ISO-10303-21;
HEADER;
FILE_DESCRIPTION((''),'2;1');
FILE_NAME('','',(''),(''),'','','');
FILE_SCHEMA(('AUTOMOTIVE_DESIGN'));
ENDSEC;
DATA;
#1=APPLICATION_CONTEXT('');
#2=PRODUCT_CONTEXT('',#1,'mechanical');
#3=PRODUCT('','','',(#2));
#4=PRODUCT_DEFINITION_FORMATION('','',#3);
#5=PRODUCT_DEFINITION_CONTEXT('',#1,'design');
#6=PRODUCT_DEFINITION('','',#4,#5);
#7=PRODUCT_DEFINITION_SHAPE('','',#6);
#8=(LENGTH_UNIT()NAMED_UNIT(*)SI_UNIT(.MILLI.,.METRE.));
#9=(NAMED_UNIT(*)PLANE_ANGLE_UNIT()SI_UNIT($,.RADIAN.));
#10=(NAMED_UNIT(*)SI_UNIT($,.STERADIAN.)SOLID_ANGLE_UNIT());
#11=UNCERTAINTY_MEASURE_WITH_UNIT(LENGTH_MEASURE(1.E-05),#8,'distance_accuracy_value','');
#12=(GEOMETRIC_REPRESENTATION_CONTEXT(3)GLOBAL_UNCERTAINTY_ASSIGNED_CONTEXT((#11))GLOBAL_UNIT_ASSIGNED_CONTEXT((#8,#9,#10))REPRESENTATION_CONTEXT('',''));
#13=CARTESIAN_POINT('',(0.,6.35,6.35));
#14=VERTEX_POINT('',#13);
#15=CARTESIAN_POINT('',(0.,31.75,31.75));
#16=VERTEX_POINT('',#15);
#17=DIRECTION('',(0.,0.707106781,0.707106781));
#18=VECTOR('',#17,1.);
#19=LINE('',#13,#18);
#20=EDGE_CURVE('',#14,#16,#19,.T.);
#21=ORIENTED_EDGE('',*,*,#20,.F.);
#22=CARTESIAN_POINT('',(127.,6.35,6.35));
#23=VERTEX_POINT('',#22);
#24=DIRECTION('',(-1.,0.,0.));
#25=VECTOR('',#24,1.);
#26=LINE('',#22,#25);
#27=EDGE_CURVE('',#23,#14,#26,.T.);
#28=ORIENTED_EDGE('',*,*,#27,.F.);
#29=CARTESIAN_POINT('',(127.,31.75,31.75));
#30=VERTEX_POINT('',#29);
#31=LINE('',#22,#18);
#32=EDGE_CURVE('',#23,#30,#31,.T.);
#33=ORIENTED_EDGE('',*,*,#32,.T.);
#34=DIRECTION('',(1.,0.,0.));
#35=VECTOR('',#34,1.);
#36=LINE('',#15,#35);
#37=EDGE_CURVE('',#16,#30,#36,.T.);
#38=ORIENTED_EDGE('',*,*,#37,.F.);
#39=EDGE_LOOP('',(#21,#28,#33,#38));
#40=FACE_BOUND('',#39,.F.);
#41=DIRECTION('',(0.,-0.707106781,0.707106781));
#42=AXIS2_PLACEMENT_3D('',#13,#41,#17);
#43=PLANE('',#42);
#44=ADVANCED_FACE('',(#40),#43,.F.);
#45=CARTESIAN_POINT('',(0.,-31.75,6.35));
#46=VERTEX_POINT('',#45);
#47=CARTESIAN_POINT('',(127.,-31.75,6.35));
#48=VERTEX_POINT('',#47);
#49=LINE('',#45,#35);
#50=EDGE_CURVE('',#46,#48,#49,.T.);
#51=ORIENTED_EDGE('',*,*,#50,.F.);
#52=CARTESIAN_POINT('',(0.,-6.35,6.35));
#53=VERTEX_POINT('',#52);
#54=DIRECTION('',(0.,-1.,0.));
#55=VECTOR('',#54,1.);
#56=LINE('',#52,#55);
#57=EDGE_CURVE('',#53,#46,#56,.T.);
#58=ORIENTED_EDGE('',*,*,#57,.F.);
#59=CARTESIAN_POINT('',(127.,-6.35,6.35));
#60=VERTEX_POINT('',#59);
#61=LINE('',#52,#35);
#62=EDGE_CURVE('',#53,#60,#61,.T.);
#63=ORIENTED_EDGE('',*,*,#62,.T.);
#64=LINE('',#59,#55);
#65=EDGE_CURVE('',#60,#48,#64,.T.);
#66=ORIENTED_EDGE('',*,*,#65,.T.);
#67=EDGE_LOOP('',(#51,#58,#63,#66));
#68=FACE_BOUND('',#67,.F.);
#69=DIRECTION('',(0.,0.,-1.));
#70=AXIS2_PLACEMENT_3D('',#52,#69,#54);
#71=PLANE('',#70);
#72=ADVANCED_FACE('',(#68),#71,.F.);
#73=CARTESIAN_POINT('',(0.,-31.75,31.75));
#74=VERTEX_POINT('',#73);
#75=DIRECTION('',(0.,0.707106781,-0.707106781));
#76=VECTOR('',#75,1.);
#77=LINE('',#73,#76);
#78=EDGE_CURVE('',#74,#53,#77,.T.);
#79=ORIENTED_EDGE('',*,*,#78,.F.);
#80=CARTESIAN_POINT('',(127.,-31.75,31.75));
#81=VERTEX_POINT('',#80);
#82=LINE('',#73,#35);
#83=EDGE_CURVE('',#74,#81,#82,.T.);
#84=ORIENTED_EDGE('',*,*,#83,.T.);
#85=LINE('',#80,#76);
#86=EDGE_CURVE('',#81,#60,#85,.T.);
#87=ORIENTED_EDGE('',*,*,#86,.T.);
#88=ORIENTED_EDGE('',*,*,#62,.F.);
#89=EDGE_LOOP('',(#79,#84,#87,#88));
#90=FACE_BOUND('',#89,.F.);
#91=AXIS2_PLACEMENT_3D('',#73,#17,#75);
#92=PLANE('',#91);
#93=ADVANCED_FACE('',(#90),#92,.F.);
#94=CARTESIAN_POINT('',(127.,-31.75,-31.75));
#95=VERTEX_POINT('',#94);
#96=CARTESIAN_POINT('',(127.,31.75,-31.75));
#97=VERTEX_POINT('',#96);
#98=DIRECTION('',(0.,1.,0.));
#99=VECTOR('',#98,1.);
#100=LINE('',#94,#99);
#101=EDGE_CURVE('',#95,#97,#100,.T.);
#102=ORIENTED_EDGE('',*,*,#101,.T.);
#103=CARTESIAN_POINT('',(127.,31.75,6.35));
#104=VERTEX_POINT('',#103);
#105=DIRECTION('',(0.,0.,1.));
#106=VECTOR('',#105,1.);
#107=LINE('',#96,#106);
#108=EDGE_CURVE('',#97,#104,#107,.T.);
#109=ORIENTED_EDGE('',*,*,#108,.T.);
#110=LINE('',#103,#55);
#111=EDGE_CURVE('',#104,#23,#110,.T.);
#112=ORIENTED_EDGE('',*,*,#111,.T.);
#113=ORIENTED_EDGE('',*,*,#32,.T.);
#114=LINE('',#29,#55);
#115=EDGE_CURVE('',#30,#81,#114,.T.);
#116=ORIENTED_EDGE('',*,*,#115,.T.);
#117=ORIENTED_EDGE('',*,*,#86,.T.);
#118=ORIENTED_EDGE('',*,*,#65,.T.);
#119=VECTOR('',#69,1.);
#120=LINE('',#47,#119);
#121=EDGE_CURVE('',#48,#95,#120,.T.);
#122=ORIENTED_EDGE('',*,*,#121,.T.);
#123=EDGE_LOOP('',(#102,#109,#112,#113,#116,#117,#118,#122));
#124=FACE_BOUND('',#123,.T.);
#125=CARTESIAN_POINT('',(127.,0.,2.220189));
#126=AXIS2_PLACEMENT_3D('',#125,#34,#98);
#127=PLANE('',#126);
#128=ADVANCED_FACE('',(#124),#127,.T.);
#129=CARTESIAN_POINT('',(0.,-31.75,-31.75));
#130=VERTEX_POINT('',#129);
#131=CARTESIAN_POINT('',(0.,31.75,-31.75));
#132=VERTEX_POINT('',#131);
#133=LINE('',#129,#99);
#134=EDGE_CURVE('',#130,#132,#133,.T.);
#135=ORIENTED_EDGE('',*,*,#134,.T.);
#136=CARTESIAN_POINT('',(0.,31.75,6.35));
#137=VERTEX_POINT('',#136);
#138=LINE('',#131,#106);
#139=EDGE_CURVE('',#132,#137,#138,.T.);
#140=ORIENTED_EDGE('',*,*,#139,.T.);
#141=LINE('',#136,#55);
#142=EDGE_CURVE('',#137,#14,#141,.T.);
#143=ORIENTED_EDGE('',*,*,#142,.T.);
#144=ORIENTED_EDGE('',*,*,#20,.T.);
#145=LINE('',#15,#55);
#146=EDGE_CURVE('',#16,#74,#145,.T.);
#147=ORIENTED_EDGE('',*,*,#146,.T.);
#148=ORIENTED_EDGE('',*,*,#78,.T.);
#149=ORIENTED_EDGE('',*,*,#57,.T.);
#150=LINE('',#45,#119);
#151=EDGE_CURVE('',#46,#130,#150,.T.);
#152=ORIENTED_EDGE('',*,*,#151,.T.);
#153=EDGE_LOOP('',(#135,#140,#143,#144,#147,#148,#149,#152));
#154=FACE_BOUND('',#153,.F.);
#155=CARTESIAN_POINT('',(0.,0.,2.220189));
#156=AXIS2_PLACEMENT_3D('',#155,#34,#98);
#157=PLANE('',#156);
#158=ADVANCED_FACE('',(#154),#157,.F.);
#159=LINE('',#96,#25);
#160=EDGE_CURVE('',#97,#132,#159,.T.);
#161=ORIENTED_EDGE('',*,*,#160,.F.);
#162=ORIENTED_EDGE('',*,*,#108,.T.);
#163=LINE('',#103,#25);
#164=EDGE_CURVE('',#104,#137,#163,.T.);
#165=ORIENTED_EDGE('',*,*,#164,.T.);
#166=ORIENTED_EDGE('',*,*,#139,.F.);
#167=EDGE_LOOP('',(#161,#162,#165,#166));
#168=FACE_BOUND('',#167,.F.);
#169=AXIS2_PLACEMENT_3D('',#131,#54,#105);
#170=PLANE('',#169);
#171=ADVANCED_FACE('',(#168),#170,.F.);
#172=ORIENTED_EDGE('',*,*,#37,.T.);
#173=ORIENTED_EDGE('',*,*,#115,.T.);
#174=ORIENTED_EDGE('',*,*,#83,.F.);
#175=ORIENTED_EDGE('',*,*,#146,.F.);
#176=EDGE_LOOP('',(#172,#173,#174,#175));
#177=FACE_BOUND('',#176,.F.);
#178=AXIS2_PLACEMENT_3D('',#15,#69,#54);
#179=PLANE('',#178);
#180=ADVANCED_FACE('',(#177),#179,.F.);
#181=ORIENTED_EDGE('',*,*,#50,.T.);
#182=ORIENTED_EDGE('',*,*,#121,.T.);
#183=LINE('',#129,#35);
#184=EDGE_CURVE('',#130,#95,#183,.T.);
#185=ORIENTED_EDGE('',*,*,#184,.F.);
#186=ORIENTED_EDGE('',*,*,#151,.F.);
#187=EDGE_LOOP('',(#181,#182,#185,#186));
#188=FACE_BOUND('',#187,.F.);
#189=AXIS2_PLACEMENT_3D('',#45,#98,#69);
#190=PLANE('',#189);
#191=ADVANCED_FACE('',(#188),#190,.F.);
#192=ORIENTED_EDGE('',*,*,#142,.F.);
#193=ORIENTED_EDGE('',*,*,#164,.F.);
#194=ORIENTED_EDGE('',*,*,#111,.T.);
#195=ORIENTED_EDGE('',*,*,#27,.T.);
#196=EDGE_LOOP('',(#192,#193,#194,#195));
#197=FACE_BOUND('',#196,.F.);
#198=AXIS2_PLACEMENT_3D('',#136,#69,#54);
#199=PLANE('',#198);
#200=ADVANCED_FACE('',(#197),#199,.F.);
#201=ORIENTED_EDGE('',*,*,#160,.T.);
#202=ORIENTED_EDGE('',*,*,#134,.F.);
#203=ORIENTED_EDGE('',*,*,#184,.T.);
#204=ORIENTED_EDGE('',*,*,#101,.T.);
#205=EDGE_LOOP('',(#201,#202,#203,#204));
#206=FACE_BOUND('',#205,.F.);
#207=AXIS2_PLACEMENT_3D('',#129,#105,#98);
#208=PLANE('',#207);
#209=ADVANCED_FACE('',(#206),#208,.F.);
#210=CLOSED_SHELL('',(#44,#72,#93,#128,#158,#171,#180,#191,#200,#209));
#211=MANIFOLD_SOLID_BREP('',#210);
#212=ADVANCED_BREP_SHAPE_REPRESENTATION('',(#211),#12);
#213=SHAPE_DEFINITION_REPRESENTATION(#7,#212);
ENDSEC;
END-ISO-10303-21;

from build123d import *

# Parameters (mm, degrees)
F1_DEPTH = 101.6
F2_DEPTH = 127


with BuildPart() as f1:
    # F0 (on Right) → F1 (new body)
    with BuildSketch(Plane.YZ):
        Polygon((6.35, 6.35), (31.75, 31.75), (-31.75, 31.75), (-6.35, 6.35), (-31.75, 6.35), (-31.75, -31.75), (31.75, -31.75), (31.75, 6.35), align=None)
    extrude(amount=F1_DEPTH)

    # F0 (on Right) → F2 (join)
    with BuildSketch(Plane.YZ):
        Polygon((6.35, 6.35), (31.75, 31.75), (-31.75, 31.75), (-6.35, 6.35), (-31.75, 6.35), (-31.75, -31.75), (31.75, -31.75), (31.75, 6.35), align=None)
    extrude(amount=F2_DEPTH)


solid = f1.part
